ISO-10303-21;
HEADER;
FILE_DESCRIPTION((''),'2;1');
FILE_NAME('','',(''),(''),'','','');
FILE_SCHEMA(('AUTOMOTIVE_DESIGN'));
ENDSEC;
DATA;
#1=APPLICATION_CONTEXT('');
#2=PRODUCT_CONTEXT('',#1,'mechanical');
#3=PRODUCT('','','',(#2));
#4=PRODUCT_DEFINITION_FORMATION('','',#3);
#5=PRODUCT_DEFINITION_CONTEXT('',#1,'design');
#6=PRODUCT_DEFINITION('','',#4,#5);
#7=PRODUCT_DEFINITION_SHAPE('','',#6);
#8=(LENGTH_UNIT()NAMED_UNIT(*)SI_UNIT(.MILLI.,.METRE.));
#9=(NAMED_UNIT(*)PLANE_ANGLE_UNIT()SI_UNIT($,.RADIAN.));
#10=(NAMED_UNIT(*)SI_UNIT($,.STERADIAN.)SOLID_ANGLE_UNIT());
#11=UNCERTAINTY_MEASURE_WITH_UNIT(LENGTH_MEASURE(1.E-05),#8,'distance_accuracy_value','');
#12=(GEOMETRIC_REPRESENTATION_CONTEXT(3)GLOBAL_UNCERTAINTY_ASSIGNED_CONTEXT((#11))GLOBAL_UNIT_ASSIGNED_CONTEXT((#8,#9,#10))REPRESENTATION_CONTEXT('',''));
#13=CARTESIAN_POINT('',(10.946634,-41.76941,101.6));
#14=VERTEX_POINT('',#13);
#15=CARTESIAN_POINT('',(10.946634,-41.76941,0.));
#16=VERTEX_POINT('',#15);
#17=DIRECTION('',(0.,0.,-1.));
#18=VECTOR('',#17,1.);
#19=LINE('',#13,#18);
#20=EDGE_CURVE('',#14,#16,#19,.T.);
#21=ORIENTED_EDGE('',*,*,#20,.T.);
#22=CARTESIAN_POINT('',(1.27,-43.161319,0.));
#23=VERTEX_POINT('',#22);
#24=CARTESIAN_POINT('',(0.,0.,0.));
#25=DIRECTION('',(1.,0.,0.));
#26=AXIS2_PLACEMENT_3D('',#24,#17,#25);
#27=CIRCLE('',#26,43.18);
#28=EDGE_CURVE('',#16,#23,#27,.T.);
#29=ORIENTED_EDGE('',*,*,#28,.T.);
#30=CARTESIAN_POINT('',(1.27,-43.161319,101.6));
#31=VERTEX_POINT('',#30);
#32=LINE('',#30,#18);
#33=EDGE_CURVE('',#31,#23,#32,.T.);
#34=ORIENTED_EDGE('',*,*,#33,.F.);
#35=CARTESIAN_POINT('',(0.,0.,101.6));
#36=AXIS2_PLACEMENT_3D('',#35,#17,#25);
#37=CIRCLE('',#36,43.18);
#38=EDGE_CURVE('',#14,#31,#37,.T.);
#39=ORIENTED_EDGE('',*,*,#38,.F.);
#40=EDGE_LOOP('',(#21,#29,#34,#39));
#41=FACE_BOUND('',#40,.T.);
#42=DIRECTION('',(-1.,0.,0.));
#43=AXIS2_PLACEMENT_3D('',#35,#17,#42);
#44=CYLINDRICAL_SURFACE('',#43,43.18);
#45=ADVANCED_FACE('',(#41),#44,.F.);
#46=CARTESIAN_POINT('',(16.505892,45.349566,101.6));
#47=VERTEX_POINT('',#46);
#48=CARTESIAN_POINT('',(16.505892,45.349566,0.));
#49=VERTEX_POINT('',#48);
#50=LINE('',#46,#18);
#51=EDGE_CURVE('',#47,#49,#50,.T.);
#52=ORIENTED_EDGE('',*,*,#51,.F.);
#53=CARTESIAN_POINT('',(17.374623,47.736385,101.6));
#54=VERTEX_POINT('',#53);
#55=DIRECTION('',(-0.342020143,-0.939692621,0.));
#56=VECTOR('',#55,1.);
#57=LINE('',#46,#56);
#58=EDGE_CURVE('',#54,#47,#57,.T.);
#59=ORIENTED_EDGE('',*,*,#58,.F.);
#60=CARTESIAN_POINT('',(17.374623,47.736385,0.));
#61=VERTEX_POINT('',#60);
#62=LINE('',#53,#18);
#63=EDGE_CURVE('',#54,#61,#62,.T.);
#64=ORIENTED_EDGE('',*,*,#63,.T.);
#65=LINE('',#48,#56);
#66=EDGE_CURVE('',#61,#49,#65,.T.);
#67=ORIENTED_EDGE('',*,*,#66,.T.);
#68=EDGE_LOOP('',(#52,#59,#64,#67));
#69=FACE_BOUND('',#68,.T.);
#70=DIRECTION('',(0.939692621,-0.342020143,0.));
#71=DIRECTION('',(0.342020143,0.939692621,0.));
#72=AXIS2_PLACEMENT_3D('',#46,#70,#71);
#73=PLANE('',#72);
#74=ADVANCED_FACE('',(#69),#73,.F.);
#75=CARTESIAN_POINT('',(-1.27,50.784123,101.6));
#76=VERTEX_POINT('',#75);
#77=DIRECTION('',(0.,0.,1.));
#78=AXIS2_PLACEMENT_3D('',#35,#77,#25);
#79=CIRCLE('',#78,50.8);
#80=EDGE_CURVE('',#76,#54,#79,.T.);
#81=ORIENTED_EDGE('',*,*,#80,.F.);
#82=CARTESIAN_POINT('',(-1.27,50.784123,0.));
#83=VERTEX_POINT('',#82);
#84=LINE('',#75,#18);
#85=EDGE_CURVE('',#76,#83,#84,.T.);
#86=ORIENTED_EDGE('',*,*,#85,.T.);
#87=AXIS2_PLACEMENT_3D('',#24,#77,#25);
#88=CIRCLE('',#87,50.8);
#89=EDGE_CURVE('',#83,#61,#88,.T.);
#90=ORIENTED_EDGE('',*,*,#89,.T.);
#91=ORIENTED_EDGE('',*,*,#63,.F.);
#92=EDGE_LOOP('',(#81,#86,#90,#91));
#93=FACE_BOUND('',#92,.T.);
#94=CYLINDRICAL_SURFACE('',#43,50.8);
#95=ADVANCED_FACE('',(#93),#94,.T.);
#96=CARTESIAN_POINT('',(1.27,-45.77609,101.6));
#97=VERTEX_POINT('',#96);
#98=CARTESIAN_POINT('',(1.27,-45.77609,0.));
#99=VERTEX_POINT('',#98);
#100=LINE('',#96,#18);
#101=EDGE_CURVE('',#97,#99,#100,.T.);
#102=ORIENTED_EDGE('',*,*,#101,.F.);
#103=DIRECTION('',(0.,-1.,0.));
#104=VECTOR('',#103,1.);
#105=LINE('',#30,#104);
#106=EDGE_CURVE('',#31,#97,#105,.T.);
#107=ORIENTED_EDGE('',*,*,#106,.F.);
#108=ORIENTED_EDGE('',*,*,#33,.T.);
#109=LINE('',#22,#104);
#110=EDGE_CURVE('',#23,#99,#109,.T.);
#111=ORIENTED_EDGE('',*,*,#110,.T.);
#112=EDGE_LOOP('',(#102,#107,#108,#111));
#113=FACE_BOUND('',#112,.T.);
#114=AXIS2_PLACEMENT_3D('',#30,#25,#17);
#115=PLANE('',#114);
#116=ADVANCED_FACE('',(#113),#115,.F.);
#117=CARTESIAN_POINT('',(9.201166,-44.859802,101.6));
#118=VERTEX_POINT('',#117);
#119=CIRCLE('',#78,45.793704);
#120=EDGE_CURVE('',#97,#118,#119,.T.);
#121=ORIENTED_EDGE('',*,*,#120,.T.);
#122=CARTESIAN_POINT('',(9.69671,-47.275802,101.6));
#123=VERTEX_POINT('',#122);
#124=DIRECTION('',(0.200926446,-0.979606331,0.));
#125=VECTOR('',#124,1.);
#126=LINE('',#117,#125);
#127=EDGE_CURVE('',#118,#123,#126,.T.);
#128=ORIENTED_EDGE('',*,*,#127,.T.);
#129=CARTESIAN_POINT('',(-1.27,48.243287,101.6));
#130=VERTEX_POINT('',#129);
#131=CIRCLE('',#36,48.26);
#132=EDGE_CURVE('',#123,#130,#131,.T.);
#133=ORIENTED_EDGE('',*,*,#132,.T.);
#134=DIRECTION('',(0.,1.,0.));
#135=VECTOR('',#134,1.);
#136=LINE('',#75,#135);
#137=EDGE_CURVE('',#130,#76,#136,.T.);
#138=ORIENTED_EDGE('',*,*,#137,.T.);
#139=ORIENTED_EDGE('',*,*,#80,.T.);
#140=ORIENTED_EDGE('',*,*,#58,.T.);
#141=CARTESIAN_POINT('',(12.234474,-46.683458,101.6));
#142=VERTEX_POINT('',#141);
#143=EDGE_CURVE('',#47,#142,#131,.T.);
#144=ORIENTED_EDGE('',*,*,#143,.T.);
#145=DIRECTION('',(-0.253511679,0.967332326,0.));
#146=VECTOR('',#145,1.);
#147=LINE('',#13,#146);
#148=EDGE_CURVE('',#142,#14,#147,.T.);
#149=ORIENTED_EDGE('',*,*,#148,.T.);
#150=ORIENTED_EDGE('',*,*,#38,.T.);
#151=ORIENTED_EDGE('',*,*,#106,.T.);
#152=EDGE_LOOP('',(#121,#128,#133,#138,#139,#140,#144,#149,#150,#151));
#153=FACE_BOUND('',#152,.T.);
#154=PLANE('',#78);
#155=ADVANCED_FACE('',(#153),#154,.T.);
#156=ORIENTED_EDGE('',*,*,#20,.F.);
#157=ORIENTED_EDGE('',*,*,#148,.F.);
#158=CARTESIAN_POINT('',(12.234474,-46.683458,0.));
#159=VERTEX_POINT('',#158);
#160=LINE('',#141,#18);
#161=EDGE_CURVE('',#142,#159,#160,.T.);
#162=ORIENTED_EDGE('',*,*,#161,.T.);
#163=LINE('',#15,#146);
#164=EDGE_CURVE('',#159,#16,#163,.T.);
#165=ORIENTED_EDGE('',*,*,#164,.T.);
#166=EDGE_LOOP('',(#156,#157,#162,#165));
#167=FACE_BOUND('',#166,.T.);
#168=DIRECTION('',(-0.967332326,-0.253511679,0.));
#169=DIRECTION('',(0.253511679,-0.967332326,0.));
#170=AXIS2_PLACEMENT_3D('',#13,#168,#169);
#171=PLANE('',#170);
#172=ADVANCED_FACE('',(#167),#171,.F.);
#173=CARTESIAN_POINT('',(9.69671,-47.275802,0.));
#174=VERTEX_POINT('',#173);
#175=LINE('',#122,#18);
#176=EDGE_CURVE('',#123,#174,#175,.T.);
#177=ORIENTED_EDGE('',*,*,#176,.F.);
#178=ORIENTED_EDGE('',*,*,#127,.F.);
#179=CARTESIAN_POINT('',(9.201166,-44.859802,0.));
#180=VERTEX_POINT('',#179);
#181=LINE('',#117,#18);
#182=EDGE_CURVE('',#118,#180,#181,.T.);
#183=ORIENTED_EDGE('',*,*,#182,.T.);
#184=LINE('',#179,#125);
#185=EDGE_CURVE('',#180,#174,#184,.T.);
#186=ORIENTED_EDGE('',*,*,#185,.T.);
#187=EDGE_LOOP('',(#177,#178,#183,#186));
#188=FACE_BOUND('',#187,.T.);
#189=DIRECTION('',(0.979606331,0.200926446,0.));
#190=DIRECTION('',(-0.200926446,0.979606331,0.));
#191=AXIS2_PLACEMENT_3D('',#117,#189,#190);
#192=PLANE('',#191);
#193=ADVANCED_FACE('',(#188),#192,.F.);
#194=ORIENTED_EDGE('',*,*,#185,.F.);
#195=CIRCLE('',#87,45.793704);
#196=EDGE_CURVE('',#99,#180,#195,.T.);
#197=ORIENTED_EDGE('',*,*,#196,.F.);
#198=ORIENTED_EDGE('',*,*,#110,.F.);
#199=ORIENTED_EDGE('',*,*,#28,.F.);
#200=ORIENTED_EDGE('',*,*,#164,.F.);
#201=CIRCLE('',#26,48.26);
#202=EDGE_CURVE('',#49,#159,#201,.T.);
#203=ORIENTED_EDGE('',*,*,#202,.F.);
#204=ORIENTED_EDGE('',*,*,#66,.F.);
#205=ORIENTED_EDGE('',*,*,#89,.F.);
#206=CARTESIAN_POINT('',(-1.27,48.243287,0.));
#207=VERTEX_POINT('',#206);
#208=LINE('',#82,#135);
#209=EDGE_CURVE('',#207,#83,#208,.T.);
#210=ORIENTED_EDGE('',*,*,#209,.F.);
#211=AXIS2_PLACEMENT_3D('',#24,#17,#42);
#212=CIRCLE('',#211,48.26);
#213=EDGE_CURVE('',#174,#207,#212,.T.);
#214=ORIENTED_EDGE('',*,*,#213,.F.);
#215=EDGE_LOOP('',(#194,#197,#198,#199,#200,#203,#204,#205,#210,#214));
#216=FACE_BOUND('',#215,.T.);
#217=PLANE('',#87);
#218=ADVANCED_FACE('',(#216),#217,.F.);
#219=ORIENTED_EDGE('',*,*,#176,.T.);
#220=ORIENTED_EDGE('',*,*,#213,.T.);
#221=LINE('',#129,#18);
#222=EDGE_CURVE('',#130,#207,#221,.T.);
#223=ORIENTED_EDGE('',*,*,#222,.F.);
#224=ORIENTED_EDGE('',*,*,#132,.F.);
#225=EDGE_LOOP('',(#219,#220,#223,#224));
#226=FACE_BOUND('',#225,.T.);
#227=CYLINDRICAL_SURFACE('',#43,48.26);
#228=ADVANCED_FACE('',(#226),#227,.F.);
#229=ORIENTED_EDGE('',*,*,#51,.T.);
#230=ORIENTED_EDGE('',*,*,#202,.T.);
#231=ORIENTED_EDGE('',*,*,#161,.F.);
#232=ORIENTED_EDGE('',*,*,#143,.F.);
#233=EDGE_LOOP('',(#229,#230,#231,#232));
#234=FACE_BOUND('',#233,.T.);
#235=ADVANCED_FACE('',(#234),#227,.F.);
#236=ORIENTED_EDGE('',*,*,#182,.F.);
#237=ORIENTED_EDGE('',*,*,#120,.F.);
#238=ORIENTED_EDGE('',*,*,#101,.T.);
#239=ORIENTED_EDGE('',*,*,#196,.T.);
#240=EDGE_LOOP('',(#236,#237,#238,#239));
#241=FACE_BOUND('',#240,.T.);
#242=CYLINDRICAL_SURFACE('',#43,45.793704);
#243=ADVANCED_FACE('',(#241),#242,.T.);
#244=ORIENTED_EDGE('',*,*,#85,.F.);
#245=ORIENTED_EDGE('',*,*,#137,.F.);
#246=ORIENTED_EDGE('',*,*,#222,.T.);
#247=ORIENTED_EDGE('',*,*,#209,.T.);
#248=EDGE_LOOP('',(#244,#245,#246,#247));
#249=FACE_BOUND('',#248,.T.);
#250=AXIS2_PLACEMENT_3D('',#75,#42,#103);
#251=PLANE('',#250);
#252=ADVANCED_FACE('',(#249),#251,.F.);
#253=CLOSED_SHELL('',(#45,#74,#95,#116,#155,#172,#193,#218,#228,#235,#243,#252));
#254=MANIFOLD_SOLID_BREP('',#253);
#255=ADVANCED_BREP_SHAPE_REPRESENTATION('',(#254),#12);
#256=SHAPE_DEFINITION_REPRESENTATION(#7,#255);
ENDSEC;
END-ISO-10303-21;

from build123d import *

# Parameters (mm, degrees)
BOSS_EXTRUDE1_DEPTH = 101.6


with BuildPart() as part:
    # Sketch1 → Boss-Extrude1 (new body)
    with BuildSketch(Plane.XY):
        with BuildLine():
            Line((-1.27, 50.784122519), (-1.27, 48.24328658))
            ThreePointArc((-1.27, 48.24328658), (-48.255821464, -0.635054985), (0, -48.26))
            ThreePointArc((0, -48.26), (4.873264732, -48.013319932), (9.696710265, -47.275801527))
            Line((9.696710265, -47.275801527), (9.201166175, -44.859802346))
            ThreePointArc((9.201166175, -44.859802346), (5.255589984, -45.491121106), (1.27, -45.776090108))
            Line((1.27, -45.776090108), (1.27, -43.161319489))
            ThreePointArc((1.27, -43.161319489), (6.147836333, -42.740104216), (10.946634308, -41.769409827))
            Line((10.946634308, -41.769409827), (12.234473638, -46.683458042))
            ThreePointArc((12.234473638, -46.683458042), (48.208106465, -2.237425089), (16.505892117, 45.349565879))
            Line((16.505892117, 45.349565879), (17.374623281, 47.736385136))
            ThreePointArc((17.374623281, 47.736385136), (-8.195236332, -50.134599843), (-1.27, 50.784122519))
        make_face()
    extrude(amount=BOSS_EXTRUDE1_DEPTH)


solid = part.part
